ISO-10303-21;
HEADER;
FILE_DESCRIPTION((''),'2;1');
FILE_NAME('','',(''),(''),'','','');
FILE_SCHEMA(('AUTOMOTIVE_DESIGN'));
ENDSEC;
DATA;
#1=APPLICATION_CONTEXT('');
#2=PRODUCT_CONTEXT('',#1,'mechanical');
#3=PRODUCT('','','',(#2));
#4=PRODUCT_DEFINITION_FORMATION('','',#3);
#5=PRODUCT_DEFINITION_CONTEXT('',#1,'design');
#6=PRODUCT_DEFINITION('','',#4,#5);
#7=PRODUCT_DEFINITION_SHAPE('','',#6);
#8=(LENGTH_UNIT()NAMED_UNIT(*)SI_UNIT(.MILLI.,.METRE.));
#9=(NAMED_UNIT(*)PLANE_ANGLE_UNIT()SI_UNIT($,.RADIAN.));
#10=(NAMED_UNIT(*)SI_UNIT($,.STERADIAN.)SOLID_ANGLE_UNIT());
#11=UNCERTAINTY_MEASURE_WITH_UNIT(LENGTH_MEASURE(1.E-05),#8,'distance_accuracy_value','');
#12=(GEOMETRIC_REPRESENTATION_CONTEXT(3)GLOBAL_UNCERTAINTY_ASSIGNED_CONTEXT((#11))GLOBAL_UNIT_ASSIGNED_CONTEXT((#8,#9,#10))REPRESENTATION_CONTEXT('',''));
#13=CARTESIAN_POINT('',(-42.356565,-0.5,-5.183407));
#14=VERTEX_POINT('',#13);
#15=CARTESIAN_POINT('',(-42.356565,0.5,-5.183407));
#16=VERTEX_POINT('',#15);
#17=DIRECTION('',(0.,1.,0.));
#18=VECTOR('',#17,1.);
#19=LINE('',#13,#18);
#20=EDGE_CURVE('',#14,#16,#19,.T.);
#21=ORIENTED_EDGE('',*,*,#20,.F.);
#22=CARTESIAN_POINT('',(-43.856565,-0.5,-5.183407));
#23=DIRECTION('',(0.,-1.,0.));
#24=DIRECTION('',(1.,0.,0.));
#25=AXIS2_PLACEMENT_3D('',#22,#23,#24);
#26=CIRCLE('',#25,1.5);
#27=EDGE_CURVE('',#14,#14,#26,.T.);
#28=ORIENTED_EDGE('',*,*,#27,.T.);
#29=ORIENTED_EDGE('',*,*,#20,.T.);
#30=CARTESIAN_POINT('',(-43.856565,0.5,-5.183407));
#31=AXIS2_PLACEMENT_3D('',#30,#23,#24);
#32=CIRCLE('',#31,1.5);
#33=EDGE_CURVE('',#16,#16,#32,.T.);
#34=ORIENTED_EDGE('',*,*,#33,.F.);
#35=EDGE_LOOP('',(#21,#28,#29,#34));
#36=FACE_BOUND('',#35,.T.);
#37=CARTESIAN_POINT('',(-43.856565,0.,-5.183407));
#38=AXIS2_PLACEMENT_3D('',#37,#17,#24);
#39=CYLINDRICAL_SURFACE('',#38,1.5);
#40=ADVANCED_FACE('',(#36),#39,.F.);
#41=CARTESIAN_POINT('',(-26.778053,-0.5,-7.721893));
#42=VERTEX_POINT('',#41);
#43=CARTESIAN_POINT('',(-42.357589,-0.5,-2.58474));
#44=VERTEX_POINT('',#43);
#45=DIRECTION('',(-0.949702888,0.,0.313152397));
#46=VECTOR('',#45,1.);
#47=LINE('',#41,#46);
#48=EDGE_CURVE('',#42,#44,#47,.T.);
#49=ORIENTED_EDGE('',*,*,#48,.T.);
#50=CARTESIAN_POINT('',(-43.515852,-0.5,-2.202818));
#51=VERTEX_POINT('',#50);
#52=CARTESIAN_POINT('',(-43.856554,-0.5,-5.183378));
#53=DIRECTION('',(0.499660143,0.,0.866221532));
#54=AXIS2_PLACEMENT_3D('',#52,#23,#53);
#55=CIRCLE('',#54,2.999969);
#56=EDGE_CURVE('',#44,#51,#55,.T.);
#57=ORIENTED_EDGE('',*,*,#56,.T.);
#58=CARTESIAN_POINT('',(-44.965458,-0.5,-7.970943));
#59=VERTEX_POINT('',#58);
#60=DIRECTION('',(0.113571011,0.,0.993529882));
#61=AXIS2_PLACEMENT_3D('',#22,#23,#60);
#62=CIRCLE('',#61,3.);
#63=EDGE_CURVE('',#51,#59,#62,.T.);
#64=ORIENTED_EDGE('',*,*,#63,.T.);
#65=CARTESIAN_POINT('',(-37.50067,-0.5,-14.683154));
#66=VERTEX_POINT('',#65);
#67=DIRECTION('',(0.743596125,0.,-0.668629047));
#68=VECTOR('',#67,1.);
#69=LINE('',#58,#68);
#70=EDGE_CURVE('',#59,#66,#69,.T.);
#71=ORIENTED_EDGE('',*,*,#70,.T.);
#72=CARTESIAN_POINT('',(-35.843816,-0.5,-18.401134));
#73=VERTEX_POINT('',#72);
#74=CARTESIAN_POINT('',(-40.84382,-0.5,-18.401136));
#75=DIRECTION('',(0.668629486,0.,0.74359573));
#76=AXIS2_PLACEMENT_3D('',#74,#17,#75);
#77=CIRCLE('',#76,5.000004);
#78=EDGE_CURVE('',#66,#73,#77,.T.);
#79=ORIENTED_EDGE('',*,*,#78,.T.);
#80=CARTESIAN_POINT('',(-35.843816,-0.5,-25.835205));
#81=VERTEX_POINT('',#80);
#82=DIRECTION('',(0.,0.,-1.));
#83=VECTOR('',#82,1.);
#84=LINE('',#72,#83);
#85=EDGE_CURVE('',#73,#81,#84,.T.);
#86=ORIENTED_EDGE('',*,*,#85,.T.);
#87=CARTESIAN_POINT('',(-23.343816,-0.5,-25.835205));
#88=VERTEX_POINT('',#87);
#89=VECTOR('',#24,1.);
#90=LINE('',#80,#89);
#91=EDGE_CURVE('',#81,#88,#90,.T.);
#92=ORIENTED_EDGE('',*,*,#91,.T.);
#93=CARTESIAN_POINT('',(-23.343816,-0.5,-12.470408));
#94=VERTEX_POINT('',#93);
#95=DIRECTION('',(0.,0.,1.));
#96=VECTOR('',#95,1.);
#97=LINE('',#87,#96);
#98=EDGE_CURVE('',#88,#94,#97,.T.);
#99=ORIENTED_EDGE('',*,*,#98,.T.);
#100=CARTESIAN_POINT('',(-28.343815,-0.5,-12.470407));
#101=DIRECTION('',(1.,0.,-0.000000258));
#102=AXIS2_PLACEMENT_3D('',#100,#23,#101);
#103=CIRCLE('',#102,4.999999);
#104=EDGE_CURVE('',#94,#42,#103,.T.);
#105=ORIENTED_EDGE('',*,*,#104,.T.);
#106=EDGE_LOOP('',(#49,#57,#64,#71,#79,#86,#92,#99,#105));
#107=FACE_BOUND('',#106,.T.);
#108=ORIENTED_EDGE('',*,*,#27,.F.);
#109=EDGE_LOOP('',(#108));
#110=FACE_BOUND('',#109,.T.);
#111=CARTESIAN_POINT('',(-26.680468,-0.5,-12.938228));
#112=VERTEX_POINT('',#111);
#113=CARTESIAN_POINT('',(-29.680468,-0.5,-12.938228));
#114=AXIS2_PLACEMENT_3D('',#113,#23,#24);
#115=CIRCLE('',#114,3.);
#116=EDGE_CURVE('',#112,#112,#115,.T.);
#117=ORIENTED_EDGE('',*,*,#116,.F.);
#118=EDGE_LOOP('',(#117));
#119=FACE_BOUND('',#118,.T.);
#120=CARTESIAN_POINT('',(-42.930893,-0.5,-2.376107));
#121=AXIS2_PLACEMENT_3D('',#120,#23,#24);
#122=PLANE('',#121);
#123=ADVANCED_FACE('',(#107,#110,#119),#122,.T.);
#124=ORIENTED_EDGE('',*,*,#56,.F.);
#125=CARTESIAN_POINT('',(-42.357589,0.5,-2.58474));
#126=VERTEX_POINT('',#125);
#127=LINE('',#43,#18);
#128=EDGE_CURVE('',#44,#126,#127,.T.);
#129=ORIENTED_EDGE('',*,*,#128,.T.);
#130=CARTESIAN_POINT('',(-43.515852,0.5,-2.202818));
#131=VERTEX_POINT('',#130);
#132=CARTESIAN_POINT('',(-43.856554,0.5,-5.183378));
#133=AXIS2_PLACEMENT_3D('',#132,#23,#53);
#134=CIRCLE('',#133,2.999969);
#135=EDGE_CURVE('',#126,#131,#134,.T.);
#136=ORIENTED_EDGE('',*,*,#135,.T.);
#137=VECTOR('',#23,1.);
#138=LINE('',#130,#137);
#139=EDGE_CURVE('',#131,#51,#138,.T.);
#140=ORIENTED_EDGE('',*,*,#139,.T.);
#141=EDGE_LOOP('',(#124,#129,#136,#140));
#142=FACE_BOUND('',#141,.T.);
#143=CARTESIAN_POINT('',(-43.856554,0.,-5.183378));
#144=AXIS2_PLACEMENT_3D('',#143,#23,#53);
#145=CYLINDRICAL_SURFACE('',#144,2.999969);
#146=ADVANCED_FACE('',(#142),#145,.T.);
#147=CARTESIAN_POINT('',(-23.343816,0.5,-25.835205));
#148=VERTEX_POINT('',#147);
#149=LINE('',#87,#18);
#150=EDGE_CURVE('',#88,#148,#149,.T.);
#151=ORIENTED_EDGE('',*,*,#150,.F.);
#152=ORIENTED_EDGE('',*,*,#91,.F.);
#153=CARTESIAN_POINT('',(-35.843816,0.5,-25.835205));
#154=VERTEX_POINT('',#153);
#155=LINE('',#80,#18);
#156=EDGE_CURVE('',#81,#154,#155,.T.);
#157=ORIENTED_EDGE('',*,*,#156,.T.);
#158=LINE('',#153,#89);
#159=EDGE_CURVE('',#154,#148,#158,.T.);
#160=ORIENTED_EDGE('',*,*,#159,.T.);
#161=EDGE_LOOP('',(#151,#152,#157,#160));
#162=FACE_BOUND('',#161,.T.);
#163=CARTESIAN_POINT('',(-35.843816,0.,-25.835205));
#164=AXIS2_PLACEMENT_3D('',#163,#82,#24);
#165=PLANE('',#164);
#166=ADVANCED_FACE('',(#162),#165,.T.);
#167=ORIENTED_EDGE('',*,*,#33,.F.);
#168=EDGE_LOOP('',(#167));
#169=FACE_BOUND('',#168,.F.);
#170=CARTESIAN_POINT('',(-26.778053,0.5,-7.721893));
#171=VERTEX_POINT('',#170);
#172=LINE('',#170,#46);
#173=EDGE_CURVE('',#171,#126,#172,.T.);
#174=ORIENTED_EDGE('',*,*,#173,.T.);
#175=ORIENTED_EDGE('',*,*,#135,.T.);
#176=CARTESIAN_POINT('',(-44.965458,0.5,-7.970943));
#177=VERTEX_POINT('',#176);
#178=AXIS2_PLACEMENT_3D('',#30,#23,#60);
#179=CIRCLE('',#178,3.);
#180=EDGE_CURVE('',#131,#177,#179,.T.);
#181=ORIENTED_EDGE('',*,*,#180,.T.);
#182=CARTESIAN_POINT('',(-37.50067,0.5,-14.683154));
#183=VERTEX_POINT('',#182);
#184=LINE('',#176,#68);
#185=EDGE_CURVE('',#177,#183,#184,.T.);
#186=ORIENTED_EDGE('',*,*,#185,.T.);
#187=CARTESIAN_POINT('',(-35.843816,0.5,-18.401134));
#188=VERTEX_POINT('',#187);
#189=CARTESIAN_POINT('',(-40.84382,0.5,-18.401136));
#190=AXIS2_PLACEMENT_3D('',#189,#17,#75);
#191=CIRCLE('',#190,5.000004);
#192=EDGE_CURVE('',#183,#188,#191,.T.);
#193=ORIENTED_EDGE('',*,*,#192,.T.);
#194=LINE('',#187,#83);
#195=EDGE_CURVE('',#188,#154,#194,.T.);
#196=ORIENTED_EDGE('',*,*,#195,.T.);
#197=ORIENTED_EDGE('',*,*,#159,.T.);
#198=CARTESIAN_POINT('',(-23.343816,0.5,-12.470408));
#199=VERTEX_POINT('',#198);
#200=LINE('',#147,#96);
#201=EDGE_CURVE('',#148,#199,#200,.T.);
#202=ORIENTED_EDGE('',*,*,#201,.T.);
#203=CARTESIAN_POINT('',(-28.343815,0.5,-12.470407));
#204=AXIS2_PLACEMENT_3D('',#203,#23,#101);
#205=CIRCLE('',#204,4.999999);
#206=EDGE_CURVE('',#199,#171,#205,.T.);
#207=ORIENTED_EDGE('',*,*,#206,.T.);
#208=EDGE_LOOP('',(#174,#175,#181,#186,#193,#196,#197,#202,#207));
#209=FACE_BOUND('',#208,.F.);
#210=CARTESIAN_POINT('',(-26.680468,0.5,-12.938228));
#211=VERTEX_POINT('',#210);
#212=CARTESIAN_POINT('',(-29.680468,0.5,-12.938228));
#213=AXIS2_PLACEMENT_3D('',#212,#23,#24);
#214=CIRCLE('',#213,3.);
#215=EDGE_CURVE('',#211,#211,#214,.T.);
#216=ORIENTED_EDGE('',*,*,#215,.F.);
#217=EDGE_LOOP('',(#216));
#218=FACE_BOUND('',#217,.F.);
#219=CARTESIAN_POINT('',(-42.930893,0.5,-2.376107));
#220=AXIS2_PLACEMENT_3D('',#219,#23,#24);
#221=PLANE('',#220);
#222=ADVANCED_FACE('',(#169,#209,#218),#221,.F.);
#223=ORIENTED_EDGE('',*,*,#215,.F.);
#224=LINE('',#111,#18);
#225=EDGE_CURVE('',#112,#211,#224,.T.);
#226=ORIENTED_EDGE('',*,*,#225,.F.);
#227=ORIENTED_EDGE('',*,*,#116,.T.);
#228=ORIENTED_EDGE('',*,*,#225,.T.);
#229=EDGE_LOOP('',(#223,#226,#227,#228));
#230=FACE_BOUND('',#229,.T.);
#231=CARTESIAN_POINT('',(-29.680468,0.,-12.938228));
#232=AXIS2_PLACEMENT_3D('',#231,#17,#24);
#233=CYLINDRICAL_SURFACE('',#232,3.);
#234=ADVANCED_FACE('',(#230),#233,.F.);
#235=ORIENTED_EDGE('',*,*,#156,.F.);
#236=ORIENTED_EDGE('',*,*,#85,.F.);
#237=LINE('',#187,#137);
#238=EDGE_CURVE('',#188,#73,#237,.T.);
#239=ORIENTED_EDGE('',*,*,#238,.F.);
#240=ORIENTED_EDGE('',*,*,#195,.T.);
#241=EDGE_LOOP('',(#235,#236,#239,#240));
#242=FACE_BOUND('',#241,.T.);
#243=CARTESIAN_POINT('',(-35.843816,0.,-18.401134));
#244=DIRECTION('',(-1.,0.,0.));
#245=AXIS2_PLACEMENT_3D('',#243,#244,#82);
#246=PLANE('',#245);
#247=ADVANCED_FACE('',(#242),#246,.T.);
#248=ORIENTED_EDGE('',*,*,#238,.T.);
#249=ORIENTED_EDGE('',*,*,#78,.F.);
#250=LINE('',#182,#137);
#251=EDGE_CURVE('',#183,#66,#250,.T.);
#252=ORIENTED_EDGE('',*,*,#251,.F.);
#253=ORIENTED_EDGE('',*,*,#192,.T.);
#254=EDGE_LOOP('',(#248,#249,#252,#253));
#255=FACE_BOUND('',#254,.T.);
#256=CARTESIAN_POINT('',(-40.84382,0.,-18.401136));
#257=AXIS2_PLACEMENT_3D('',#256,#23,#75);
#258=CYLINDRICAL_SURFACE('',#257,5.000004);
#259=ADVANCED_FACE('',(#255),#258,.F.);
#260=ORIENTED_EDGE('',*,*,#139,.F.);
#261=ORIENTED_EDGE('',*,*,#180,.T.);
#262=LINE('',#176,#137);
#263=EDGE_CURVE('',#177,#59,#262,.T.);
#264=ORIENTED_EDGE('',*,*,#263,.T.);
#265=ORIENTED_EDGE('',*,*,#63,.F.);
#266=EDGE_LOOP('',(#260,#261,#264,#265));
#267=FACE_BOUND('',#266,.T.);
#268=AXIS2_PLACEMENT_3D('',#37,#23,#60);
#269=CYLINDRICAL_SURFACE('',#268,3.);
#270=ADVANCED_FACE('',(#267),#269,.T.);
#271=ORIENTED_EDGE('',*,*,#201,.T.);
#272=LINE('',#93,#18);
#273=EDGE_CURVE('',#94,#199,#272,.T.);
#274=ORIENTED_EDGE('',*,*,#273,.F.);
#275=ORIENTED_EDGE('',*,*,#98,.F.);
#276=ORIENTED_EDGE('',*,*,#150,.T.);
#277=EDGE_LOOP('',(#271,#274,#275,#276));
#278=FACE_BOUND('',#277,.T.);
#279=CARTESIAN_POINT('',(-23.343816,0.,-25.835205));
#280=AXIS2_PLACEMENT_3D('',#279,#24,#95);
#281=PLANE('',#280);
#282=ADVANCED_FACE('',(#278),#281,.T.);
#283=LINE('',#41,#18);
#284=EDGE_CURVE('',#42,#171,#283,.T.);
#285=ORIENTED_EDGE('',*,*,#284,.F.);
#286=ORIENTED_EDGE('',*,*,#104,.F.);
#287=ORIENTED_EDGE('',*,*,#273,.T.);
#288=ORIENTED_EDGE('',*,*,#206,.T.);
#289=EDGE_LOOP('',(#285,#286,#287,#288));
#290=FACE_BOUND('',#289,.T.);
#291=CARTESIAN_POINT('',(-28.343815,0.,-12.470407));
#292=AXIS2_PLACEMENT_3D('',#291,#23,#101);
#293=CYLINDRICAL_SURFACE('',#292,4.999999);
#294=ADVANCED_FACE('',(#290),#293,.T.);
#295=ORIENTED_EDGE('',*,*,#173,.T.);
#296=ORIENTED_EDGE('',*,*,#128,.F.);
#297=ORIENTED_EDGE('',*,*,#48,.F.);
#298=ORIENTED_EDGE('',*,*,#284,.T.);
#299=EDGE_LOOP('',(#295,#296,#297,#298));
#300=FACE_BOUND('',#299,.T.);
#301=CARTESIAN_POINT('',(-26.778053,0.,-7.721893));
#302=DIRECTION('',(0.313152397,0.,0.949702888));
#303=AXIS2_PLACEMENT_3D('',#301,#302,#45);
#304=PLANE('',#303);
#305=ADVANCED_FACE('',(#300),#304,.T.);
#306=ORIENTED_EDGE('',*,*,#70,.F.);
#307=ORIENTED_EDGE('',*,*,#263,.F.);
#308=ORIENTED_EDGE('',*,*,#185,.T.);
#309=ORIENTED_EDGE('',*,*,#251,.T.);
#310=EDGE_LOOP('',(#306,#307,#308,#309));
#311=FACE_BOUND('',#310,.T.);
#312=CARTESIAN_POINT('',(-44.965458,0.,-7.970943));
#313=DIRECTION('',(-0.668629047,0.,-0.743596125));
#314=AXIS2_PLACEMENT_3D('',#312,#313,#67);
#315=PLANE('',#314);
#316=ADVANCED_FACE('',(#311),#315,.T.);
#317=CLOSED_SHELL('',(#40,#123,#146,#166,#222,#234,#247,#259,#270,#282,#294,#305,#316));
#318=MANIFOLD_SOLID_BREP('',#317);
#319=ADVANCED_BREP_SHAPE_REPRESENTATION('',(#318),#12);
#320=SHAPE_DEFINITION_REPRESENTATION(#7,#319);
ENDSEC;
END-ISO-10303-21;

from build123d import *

# Parameters (mm, degrees)
F0_R     = 1.5
F0_R_2   = 3
F1_DEPTH = 0.5


with BuildPart() as f1:
    # F0 (on Front) → F1 (new body, symmetric)
    with BuildSketch(Plane.XZ):
        with BuildLine():
            Line((-43.515852, -2.202818), (-42.357589, -2.58474))
            ThreePointArc((-42.357589, -2.58474), (-42.917108, -2.334298), (-43.515852, -2.202818))
        make_face()
        with BuildLine():
            Line((-26.778053, -7.721893), (-42.357589, -2.58474))
            Line((-42.357589, -2.58474), (-43.515852, -2.202818))
            ThreePointArc((-43.515852, -2.202818), (-46.766091, -4.452205), (-44.965458, -7.970943))
            Line((-44.965458, -7.970943), (-37.50067, -14.683154))
            ThreePointArc((-37.50067, -14.683154), (-36.276775, -16.365911), (-35.843816, -18.401134))
            Line((-35.843816, -18.401134), (-35.843816, -25.835205))
            Line((-35.843816, -25.835205), (-23.343816, -25.835205))
            Line((-23.343816, -25.835205), (-23.343816, -12.470408))
            ThreePointArc((-23.343816, -12.470408), (-24.292346, -9.540289), (-26.778053, -7.721893))
        make_face()
        with Locations((-43.856565, -5.183407)):
            Circle(F0_R, mode=Mode.SUBTRACT)
        with Locations((-29.680468, -12.938228)):
            Circle(F0_R_2, mode=Mode.SUBTRACT)
    extrude(amount=F1_DEPTH, both=True)


solid = f1.part
